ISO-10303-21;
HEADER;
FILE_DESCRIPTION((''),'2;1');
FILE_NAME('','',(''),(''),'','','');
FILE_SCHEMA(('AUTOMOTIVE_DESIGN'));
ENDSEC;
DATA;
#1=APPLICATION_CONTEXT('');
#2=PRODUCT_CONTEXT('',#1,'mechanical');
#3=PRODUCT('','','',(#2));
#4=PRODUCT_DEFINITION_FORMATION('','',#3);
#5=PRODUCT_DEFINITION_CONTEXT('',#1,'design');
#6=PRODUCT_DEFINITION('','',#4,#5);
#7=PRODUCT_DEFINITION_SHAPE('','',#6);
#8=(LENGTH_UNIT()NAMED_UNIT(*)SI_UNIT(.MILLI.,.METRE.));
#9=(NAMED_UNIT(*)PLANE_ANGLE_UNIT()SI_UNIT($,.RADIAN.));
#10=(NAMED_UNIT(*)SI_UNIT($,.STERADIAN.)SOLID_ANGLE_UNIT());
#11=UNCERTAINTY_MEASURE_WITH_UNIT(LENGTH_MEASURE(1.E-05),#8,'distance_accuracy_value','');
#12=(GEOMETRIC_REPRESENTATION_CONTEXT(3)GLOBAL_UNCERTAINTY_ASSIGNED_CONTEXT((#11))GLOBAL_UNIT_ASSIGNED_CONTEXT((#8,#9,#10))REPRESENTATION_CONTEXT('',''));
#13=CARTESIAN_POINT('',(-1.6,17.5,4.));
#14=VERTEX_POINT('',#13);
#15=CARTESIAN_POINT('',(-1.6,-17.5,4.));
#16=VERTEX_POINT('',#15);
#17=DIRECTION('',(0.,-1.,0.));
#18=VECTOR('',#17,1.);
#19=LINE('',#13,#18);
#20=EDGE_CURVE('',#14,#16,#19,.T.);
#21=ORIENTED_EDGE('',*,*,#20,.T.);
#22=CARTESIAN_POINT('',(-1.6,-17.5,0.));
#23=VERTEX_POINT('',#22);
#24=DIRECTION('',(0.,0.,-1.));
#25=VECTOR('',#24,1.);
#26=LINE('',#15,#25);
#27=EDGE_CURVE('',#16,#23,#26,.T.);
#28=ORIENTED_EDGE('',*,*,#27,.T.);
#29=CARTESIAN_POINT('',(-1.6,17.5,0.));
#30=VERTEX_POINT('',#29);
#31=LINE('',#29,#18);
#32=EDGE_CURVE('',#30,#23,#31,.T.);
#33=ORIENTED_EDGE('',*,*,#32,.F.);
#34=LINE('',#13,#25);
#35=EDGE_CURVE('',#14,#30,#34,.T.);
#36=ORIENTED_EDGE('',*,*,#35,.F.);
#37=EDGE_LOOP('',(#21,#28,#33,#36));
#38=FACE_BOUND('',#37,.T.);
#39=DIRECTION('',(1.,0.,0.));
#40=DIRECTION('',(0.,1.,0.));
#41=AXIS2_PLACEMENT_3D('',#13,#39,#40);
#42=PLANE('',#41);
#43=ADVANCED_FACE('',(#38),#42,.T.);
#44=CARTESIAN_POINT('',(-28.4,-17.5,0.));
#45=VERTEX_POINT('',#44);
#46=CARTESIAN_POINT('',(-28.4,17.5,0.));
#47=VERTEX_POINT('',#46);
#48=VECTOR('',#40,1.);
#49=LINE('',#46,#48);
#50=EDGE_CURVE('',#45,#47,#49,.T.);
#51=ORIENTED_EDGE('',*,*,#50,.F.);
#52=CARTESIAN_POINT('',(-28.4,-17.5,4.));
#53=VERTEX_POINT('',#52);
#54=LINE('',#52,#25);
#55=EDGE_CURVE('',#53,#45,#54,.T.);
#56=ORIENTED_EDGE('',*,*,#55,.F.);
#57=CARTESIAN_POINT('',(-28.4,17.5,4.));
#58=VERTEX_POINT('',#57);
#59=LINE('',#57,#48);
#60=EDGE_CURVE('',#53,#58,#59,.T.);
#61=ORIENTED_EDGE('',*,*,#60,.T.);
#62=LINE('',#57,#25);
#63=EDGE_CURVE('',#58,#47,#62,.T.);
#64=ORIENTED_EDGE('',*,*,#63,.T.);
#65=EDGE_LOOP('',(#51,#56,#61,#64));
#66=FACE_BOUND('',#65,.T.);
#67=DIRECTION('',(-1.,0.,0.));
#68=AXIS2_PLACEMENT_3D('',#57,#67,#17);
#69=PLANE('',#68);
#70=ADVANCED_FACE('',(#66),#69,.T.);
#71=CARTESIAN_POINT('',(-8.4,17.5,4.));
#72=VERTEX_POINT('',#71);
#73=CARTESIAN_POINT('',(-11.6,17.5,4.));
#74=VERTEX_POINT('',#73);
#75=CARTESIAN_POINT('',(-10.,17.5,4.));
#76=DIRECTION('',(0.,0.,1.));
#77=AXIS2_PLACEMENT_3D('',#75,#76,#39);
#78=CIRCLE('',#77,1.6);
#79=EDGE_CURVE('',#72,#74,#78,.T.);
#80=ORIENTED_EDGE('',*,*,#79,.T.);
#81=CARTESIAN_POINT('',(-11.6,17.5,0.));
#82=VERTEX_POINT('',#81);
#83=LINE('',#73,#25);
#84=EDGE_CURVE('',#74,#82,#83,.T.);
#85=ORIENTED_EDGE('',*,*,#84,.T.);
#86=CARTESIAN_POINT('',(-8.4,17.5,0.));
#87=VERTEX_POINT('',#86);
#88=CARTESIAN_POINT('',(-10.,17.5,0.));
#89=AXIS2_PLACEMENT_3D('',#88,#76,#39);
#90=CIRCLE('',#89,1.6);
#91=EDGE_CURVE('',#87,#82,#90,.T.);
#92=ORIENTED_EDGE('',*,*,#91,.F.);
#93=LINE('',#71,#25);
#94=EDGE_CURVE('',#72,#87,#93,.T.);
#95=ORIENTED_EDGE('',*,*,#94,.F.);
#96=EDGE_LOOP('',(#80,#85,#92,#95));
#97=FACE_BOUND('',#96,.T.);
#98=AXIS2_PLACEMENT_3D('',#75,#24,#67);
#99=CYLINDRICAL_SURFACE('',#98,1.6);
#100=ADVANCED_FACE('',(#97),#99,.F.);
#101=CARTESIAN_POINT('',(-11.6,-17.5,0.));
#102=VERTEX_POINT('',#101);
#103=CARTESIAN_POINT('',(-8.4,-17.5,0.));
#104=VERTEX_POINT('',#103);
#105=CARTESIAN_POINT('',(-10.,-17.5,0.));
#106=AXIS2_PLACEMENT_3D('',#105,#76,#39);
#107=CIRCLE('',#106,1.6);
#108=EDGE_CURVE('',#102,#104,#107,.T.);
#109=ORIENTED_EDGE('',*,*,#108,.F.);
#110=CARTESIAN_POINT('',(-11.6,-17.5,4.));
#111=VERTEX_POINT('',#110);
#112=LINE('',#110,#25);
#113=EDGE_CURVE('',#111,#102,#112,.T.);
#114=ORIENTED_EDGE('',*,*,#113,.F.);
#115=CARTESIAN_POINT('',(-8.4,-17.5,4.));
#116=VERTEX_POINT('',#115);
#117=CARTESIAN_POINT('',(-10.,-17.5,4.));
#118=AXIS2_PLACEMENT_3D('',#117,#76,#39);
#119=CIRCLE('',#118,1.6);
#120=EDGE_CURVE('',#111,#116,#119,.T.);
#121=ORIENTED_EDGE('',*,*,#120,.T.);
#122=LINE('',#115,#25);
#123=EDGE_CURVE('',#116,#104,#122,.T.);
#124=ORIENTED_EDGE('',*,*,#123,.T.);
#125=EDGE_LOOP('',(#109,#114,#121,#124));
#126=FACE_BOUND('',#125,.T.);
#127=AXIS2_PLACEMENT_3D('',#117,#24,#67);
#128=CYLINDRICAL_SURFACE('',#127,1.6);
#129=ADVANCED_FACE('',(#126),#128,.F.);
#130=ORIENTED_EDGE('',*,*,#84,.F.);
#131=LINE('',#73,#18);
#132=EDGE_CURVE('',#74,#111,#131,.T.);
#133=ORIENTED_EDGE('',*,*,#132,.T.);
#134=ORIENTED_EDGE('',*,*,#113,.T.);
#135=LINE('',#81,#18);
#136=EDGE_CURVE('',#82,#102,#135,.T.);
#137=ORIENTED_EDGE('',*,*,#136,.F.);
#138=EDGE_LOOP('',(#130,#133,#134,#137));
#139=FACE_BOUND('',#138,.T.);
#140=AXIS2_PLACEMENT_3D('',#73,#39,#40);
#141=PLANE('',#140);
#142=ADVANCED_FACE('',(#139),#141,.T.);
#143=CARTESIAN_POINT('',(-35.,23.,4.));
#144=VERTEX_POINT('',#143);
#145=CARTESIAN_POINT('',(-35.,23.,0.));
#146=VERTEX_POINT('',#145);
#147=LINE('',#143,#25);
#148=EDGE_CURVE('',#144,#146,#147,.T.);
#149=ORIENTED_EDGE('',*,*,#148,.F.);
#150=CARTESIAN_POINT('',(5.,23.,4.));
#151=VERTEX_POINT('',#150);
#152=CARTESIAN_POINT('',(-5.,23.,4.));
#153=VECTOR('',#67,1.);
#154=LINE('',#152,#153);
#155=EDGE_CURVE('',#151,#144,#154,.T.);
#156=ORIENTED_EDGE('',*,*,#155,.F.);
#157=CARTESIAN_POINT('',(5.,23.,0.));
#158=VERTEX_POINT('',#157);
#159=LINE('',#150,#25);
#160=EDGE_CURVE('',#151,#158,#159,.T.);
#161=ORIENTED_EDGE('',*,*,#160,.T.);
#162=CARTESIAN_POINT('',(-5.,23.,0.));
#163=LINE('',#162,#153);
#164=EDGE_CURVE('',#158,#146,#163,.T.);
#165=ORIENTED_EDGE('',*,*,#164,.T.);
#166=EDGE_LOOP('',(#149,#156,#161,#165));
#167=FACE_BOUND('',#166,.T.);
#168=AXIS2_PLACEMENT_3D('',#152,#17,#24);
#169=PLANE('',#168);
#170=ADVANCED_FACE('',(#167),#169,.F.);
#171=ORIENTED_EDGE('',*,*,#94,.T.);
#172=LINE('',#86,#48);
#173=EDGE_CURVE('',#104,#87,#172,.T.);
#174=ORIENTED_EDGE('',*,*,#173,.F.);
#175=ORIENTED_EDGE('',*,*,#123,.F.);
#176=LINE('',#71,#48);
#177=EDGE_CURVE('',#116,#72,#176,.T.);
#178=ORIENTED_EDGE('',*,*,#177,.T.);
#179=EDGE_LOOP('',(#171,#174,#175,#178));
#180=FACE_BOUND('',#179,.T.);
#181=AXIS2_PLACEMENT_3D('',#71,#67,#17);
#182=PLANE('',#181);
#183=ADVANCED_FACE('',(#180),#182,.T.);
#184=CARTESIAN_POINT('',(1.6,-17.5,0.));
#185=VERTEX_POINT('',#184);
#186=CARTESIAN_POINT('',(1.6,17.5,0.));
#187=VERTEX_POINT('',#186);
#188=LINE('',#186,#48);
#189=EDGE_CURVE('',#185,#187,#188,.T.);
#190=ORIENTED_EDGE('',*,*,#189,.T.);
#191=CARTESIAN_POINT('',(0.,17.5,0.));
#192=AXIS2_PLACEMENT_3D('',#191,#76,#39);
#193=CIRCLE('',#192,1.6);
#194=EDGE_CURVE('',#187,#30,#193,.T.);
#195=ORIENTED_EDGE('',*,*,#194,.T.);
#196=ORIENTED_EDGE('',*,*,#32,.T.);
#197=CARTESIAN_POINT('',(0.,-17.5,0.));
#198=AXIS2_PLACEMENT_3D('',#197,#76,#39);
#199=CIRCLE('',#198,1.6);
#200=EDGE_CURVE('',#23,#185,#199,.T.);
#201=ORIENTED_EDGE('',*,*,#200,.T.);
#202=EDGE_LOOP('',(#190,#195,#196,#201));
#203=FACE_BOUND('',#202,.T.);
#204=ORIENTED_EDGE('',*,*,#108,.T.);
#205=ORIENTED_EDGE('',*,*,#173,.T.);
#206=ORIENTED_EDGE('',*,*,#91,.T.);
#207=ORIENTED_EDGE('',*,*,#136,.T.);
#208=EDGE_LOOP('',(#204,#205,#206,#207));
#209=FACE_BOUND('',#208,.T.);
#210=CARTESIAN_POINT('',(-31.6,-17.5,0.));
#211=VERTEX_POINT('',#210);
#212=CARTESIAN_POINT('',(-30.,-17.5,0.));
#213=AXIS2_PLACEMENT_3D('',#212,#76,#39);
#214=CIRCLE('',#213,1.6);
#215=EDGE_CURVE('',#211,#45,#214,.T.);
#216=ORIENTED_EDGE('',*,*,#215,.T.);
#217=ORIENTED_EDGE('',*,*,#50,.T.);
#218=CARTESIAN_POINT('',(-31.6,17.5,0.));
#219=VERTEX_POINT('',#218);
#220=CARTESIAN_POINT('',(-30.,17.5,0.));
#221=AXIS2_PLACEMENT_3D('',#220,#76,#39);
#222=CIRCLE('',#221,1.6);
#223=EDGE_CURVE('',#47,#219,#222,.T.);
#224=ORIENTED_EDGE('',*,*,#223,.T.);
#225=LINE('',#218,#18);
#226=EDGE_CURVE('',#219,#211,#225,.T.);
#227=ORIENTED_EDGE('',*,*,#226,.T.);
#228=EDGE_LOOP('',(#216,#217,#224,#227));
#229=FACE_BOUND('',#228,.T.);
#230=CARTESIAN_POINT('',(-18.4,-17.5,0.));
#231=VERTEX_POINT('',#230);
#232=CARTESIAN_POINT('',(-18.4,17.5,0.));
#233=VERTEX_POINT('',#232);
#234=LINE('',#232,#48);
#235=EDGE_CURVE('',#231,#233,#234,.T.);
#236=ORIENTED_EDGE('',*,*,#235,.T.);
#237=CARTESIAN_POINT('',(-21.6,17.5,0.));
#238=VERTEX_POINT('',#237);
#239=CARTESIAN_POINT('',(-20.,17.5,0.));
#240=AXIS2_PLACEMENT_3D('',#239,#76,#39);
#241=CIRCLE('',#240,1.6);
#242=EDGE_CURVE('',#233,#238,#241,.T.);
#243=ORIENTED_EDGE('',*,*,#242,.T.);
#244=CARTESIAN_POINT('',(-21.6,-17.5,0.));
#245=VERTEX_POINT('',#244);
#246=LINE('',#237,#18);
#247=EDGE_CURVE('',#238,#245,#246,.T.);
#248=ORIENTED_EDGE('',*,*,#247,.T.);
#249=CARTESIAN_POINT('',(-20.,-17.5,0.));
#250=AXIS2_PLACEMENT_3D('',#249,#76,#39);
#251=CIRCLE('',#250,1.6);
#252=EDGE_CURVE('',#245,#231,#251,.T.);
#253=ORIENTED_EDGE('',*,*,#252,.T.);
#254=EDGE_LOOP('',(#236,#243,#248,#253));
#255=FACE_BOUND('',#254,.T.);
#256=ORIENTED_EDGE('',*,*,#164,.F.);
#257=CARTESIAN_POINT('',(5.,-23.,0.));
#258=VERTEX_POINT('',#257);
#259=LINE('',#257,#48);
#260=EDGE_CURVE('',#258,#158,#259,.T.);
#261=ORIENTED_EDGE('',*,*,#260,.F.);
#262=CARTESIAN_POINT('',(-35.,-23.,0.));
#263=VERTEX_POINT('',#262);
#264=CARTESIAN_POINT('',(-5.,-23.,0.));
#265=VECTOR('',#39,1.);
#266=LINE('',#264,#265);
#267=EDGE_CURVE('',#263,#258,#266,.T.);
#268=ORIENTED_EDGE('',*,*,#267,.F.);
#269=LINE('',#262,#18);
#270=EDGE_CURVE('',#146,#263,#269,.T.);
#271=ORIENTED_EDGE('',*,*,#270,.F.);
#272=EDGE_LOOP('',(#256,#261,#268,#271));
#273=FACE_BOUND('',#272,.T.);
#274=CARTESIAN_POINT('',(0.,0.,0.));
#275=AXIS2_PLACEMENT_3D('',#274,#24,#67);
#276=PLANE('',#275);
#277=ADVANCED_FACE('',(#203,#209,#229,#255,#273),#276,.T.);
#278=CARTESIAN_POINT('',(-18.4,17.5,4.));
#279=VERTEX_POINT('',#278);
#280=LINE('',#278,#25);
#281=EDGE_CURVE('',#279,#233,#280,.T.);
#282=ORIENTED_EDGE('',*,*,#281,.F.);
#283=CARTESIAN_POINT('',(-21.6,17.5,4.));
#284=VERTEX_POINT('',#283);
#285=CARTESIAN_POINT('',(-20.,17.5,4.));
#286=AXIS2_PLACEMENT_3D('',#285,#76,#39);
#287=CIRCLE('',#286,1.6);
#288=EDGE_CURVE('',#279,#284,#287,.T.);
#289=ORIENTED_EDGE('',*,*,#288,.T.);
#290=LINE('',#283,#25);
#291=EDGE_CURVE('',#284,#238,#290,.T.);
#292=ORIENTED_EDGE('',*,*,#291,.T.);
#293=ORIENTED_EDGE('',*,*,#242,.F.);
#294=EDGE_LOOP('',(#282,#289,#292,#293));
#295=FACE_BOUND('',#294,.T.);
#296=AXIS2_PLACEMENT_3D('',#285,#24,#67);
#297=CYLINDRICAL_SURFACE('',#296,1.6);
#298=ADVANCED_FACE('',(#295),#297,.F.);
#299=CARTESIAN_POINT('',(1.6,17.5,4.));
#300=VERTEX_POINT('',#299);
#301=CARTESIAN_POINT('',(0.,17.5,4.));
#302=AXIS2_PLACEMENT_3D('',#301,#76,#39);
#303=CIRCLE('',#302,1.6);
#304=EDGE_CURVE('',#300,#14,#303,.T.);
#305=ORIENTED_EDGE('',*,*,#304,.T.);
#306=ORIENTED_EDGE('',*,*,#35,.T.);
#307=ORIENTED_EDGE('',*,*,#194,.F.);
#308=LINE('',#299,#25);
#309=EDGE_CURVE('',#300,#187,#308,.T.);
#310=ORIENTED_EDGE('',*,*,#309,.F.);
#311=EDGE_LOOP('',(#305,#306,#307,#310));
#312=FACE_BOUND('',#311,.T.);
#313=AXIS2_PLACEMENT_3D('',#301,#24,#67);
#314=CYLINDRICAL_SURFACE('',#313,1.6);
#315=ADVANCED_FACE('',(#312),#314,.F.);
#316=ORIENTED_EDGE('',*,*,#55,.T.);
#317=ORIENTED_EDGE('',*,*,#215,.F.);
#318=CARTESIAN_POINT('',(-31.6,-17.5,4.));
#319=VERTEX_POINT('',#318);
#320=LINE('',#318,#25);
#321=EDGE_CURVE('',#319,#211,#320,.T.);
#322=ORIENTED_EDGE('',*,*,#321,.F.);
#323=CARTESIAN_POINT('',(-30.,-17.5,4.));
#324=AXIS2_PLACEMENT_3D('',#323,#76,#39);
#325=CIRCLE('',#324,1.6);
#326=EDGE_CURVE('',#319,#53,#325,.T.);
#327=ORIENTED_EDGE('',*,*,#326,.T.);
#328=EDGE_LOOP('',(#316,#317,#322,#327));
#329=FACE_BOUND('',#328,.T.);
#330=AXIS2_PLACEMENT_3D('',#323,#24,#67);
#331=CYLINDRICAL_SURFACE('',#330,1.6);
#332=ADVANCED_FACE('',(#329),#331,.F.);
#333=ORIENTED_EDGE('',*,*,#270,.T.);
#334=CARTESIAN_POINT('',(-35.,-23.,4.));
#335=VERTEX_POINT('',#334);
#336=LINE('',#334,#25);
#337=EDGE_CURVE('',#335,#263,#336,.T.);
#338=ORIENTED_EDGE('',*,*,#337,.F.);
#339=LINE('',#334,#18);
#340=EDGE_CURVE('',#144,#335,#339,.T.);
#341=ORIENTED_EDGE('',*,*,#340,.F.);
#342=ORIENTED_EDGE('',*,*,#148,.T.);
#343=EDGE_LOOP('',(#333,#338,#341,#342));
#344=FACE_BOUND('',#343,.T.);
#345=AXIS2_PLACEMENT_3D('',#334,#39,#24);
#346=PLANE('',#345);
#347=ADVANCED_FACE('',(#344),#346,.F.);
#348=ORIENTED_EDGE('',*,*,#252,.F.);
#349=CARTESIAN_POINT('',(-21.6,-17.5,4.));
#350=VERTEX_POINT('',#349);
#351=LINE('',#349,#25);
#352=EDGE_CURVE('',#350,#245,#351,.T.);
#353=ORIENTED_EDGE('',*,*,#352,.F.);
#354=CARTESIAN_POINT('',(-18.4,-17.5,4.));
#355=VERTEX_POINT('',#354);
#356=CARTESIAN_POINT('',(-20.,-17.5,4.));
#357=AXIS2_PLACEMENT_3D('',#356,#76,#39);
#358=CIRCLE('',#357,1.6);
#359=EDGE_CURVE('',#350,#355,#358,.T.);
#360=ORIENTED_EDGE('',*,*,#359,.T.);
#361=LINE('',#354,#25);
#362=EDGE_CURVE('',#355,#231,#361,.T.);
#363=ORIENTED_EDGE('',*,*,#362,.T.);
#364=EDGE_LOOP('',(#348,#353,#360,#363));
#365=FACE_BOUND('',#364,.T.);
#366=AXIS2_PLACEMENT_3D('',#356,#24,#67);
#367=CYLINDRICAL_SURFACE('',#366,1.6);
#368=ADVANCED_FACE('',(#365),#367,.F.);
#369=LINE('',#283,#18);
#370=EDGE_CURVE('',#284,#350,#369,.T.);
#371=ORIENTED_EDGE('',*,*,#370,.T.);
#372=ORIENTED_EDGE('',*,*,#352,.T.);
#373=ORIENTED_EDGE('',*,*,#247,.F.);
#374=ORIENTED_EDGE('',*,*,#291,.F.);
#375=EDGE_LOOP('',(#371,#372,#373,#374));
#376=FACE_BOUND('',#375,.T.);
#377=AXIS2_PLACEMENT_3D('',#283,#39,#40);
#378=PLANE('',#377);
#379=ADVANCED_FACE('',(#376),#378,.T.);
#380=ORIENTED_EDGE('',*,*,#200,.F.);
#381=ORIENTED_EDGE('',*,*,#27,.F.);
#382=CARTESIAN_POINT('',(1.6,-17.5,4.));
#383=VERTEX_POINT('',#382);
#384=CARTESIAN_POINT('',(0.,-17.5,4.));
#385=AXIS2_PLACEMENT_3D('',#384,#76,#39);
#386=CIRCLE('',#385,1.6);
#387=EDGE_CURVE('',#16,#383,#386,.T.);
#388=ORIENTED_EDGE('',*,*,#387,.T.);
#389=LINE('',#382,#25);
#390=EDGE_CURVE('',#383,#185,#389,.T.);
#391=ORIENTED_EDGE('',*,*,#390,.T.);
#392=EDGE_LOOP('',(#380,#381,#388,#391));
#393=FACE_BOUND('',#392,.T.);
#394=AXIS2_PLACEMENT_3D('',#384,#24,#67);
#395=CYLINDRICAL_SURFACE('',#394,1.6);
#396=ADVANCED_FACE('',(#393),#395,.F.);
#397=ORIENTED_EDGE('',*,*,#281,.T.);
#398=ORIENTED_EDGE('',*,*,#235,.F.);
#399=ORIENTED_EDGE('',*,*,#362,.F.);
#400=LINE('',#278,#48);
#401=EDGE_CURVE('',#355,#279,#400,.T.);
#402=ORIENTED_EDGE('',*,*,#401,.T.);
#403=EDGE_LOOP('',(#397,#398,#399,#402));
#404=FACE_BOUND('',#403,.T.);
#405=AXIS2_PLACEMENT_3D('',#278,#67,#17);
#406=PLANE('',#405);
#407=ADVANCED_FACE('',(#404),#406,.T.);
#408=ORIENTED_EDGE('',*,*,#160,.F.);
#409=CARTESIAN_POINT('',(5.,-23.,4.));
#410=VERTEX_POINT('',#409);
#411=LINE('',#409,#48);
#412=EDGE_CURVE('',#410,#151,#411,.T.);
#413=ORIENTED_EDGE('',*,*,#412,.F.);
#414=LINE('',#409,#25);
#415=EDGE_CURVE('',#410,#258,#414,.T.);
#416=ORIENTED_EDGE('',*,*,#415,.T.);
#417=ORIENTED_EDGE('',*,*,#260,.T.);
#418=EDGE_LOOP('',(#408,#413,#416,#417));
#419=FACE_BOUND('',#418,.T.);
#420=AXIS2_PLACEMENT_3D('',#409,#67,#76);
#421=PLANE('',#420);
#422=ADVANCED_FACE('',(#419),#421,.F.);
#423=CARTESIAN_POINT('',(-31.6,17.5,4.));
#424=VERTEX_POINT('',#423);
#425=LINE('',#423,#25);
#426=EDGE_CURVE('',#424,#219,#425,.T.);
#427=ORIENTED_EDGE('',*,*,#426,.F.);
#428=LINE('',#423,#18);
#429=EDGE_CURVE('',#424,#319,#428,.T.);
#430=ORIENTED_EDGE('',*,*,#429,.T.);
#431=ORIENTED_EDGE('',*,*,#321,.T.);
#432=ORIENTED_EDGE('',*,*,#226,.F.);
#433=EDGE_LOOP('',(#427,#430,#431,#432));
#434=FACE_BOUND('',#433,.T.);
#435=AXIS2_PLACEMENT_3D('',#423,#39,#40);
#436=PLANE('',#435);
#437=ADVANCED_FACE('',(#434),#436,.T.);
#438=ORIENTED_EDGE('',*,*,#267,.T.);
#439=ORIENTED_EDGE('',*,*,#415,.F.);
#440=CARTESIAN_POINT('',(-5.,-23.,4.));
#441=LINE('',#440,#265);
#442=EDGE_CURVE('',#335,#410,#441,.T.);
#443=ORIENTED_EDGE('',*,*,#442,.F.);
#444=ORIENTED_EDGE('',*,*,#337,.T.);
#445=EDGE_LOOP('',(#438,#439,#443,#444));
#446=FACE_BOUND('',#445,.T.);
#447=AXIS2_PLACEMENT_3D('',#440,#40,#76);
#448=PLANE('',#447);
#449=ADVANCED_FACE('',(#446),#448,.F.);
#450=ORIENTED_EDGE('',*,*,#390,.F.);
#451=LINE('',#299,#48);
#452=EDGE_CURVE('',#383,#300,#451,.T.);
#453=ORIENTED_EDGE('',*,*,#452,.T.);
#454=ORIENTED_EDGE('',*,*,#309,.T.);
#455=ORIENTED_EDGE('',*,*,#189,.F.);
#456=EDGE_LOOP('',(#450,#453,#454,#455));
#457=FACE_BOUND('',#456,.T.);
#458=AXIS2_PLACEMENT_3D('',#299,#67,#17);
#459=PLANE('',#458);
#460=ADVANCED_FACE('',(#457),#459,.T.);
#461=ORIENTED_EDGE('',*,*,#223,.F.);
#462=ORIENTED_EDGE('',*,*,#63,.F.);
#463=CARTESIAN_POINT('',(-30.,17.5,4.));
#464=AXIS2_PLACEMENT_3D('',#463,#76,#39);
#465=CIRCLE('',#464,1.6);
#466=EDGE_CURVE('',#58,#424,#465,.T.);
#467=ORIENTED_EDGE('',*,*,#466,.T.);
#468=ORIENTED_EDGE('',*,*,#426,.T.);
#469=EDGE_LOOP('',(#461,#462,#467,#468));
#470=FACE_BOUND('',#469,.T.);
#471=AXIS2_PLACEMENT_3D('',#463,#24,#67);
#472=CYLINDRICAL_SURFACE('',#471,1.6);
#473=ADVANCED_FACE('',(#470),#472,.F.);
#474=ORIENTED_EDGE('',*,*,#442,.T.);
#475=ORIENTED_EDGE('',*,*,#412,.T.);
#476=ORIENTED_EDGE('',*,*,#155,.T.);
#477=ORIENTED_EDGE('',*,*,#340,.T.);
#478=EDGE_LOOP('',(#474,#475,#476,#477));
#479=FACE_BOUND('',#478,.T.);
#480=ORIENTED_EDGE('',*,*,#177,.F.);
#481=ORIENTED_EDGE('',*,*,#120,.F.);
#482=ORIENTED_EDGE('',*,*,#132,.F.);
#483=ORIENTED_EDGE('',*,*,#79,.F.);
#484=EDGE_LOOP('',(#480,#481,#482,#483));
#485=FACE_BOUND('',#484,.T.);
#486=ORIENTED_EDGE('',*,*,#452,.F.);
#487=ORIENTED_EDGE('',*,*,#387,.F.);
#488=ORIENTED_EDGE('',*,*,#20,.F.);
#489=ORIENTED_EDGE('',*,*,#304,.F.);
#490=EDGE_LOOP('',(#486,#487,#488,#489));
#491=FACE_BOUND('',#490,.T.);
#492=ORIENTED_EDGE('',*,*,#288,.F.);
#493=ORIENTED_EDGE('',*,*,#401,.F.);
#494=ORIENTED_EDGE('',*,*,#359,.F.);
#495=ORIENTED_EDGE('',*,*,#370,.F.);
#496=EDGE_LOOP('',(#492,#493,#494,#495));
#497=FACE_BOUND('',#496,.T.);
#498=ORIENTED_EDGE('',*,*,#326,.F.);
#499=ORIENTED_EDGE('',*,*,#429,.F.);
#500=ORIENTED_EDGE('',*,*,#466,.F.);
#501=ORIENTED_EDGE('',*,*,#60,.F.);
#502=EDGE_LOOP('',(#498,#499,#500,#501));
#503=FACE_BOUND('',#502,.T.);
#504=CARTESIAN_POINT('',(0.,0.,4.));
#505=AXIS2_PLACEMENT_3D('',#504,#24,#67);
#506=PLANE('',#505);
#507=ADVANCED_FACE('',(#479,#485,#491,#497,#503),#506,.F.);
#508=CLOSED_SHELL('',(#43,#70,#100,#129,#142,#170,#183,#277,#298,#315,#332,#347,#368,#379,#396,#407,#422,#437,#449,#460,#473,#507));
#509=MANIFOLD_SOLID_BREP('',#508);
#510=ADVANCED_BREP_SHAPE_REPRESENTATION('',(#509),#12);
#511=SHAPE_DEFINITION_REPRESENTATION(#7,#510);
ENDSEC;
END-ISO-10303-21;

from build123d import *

# Parameters (mm, degrees)
SKETCH1_W           = 10
SKETCH1_H           = 46
BOSS_EXTRUDE1_DEPTH = 4
LPATTERN2_COUNT     = 4
LPATTERN2_PITCH     = 10


with BuildPart() as part:
    # Sketch1 → Boss-Extrude1 (new body)
    with BuildSketch(Plane.XY):
        Rectangle(SKETCH1_W, SKETCH1_H)
        with BuildLine():
            Line((1.6, 17.5), (1.6, -17.5))
            ThreePointArc((1.6, -17.5), (0, -19.1), (-1.6, -17.5))
            Line((-1.6, -17.5), (-1.6, 17.5))
            ThreePointArc((-1.6, 17.5), (0, 19.1), (1.6, 17.5))
        make_face(mode=Mode.SUBTRACT)
    boss_extrude1 = extrude(amount=BOSS_EXTRUDE1_DEPTH)

    # LPattern2: Boss-Extrude1 ×4
    with Locations(*[(-i * LPATTERN2_PITCH, 0, 0) for i in range(1, LPATTERN2_COUNT)]):
        add(boss_extrude1)


solid = part.part
